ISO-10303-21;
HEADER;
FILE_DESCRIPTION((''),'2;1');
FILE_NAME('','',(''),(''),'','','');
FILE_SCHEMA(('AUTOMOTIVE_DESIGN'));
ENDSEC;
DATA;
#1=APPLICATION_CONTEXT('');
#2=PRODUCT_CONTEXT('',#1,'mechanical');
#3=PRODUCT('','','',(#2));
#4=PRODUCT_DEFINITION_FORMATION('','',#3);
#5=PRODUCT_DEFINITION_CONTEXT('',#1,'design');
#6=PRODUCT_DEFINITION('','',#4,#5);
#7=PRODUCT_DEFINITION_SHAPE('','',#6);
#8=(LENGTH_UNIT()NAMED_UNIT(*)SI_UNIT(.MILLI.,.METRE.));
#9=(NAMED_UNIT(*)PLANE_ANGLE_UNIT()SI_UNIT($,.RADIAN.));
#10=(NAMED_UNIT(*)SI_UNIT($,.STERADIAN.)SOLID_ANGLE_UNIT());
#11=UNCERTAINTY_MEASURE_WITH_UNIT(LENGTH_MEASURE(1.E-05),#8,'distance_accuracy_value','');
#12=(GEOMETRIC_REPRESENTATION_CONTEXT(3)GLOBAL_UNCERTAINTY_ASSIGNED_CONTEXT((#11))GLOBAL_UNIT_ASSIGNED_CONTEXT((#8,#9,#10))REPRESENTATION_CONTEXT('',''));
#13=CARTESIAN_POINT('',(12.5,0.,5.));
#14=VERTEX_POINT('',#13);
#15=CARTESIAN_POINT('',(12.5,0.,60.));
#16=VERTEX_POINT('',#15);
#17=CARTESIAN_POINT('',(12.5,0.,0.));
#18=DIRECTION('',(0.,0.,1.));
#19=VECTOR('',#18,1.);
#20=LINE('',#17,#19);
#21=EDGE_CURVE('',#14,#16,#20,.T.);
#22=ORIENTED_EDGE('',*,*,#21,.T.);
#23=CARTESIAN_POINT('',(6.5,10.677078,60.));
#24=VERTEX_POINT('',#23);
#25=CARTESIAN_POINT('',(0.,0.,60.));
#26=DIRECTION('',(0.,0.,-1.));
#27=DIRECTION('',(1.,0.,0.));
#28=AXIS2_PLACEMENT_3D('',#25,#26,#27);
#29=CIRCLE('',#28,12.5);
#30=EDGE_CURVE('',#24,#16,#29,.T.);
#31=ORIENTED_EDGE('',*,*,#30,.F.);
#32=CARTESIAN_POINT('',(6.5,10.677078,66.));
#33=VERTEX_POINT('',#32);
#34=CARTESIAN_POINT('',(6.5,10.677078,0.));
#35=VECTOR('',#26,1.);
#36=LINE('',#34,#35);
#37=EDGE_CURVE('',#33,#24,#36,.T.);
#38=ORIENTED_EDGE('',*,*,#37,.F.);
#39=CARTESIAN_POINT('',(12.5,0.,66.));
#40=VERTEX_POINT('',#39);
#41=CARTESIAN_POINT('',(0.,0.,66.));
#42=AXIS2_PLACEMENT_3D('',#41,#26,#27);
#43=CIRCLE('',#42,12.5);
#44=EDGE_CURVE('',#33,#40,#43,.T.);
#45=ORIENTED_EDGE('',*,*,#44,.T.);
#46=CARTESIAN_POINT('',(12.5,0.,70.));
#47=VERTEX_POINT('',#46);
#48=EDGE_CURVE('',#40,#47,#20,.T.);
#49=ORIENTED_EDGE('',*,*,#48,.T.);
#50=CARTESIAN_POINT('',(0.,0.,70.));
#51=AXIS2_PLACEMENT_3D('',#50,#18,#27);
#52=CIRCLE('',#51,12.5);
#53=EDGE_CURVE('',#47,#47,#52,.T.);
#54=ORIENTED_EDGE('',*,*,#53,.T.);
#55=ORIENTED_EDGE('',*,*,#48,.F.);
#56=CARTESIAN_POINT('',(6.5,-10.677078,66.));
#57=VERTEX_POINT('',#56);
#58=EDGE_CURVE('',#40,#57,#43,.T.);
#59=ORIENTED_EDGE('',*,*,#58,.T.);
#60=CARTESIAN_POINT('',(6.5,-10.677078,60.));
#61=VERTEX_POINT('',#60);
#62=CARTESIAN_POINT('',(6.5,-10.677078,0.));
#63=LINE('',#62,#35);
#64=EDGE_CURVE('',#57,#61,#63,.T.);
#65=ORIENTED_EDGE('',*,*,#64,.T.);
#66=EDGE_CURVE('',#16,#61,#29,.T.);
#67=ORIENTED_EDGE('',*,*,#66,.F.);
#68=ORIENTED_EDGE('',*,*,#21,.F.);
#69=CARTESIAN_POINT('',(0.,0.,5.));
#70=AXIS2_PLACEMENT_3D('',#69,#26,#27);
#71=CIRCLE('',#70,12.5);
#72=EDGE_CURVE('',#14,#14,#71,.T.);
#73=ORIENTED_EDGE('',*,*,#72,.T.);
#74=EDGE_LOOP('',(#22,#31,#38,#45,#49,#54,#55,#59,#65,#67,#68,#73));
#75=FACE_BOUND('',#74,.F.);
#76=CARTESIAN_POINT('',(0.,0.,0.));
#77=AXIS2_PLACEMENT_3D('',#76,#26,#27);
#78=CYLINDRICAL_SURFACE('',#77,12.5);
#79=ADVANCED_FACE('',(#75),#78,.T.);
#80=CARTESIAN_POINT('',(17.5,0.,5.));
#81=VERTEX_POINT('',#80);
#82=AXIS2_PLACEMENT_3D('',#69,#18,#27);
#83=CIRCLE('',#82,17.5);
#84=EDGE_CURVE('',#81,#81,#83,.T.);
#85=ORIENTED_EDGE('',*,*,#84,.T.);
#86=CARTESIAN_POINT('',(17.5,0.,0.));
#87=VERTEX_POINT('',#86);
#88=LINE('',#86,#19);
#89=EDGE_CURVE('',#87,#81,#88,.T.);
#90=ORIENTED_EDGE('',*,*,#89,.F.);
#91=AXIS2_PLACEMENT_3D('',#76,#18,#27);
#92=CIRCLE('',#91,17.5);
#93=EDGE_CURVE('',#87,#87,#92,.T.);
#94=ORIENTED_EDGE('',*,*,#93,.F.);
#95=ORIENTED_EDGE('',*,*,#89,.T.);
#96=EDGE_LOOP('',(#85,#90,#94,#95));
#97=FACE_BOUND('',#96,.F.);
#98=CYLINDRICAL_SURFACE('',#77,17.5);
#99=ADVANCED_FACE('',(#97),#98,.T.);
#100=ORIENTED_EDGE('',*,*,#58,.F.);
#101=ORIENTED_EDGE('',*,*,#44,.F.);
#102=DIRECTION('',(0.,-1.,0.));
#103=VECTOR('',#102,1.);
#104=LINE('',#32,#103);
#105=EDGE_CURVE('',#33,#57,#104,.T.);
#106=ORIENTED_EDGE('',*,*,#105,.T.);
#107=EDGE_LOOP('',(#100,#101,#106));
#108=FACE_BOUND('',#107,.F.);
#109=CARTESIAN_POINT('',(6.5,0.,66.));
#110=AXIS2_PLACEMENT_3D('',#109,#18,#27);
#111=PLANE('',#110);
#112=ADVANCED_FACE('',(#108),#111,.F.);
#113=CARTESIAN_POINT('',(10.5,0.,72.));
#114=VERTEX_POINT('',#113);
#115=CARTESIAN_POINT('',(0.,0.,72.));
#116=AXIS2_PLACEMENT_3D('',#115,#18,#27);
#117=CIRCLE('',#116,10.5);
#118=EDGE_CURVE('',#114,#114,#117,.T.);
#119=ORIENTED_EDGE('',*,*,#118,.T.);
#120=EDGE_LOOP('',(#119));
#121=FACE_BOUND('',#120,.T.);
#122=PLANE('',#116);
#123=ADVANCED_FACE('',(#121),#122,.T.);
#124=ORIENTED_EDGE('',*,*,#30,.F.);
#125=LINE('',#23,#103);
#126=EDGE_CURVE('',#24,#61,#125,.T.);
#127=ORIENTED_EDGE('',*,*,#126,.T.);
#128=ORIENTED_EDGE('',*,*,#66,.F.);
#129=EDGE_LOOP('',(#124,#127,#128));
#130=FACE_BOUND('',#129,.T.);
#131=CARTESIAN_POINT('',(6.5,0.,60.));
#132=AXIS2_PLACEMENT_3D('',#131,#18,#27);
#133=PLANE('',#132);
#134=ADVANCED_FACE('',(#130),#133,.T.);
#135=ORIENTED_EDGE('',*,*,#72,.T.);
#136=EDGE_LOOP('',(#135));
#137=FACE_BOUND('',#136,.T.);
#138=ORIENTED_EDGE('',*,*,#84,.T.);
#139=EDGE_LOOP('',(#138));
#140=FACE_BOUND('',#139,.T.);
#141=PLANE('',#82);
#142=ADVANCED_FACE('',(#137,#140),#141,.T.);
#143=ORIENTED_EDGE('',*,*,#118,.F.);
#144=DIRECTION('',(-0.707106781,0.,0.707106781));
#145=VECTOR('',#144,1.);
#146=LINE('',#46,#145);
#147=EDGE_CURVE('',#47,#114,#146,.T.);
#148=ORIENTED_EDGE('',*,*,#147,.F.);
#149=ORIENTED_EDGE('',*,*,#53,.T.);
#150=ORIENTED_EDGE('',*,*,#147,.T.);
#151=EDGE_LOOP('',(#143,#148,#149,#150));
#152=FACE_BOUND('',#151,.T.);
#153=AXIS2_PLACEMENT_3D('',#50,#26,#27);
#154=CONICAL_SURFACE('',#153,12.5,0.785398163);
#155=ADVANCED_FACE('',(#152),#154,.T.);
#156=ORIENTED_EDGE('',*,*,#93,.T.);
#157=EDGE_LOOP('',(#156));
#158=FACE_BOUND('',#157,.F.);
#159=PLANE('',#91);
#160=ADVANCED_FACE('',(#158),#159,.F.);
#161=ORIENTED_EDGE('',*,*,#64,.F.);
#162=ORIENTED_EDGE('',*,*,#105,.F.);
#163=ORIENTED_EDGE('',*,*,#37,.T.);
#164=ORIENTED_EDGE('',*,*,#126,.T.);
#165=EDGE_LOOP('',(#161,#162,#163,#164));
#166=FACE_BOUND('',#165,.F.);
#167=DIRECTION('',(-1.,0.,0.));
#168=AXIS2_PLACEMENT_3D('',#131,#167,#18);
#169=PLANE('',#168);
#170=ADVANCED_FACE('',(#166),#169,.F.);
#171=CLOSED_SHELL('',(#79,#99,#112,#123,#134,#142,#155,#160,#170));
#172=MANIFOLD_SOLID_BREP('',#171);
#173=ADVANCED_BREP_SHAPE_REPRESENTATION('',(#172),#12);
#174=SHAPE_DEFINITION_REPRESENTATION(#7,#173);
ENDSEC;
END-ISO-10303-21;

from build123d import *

# Parameters (mm, degrees)
F0_R          = 17.5
F1_DEPTH      = 5
F2_R          = 12.5
F3_DEPTH      = 72
F4_W          = 10
F4_H          = 6
F5_DEPTH      = 17.501
F5_DEPTH_BACK = 17.501
F6_SIZE2      = 2
F6_SIZE       = 2


with BuildPart() as f1:
    # F0 (on Top) → F1 (new body)
    with BuildSketch(Plane.XY):
        Circle(F0_R)
    extrude(amount=F1_DEPTH)

    # F2 (on Top) → F3 (join)
    with BuildSketch(Plane.XY):
        Circle(F2_R)
    extrude(amount=F3_DEPTH)

    # F4 (on Front) → F5 (cut, two sides)
    with BuildSketch(Plane.XZ) as f5_sk:
        with Locations((11.5, 63)):
            Rectangle(F4_W, F4_H)
    extrude(amount=-F5_DEPTH, mode=Mode.SUBTRACT)
    extrude(f5_sk.sketch, amount=F5_DEPTH_BACK, mode=Mode.SUBTRACT)

    # F6
    f6_edges = [f1.edges().sort_by_distance(p)[0] for p in [
        (-12.5, 0, 72),
    ]]
    chamfer(f6_edges, length=F6_SIZE, length2=F6_SIZE2)


solid = f1.part
